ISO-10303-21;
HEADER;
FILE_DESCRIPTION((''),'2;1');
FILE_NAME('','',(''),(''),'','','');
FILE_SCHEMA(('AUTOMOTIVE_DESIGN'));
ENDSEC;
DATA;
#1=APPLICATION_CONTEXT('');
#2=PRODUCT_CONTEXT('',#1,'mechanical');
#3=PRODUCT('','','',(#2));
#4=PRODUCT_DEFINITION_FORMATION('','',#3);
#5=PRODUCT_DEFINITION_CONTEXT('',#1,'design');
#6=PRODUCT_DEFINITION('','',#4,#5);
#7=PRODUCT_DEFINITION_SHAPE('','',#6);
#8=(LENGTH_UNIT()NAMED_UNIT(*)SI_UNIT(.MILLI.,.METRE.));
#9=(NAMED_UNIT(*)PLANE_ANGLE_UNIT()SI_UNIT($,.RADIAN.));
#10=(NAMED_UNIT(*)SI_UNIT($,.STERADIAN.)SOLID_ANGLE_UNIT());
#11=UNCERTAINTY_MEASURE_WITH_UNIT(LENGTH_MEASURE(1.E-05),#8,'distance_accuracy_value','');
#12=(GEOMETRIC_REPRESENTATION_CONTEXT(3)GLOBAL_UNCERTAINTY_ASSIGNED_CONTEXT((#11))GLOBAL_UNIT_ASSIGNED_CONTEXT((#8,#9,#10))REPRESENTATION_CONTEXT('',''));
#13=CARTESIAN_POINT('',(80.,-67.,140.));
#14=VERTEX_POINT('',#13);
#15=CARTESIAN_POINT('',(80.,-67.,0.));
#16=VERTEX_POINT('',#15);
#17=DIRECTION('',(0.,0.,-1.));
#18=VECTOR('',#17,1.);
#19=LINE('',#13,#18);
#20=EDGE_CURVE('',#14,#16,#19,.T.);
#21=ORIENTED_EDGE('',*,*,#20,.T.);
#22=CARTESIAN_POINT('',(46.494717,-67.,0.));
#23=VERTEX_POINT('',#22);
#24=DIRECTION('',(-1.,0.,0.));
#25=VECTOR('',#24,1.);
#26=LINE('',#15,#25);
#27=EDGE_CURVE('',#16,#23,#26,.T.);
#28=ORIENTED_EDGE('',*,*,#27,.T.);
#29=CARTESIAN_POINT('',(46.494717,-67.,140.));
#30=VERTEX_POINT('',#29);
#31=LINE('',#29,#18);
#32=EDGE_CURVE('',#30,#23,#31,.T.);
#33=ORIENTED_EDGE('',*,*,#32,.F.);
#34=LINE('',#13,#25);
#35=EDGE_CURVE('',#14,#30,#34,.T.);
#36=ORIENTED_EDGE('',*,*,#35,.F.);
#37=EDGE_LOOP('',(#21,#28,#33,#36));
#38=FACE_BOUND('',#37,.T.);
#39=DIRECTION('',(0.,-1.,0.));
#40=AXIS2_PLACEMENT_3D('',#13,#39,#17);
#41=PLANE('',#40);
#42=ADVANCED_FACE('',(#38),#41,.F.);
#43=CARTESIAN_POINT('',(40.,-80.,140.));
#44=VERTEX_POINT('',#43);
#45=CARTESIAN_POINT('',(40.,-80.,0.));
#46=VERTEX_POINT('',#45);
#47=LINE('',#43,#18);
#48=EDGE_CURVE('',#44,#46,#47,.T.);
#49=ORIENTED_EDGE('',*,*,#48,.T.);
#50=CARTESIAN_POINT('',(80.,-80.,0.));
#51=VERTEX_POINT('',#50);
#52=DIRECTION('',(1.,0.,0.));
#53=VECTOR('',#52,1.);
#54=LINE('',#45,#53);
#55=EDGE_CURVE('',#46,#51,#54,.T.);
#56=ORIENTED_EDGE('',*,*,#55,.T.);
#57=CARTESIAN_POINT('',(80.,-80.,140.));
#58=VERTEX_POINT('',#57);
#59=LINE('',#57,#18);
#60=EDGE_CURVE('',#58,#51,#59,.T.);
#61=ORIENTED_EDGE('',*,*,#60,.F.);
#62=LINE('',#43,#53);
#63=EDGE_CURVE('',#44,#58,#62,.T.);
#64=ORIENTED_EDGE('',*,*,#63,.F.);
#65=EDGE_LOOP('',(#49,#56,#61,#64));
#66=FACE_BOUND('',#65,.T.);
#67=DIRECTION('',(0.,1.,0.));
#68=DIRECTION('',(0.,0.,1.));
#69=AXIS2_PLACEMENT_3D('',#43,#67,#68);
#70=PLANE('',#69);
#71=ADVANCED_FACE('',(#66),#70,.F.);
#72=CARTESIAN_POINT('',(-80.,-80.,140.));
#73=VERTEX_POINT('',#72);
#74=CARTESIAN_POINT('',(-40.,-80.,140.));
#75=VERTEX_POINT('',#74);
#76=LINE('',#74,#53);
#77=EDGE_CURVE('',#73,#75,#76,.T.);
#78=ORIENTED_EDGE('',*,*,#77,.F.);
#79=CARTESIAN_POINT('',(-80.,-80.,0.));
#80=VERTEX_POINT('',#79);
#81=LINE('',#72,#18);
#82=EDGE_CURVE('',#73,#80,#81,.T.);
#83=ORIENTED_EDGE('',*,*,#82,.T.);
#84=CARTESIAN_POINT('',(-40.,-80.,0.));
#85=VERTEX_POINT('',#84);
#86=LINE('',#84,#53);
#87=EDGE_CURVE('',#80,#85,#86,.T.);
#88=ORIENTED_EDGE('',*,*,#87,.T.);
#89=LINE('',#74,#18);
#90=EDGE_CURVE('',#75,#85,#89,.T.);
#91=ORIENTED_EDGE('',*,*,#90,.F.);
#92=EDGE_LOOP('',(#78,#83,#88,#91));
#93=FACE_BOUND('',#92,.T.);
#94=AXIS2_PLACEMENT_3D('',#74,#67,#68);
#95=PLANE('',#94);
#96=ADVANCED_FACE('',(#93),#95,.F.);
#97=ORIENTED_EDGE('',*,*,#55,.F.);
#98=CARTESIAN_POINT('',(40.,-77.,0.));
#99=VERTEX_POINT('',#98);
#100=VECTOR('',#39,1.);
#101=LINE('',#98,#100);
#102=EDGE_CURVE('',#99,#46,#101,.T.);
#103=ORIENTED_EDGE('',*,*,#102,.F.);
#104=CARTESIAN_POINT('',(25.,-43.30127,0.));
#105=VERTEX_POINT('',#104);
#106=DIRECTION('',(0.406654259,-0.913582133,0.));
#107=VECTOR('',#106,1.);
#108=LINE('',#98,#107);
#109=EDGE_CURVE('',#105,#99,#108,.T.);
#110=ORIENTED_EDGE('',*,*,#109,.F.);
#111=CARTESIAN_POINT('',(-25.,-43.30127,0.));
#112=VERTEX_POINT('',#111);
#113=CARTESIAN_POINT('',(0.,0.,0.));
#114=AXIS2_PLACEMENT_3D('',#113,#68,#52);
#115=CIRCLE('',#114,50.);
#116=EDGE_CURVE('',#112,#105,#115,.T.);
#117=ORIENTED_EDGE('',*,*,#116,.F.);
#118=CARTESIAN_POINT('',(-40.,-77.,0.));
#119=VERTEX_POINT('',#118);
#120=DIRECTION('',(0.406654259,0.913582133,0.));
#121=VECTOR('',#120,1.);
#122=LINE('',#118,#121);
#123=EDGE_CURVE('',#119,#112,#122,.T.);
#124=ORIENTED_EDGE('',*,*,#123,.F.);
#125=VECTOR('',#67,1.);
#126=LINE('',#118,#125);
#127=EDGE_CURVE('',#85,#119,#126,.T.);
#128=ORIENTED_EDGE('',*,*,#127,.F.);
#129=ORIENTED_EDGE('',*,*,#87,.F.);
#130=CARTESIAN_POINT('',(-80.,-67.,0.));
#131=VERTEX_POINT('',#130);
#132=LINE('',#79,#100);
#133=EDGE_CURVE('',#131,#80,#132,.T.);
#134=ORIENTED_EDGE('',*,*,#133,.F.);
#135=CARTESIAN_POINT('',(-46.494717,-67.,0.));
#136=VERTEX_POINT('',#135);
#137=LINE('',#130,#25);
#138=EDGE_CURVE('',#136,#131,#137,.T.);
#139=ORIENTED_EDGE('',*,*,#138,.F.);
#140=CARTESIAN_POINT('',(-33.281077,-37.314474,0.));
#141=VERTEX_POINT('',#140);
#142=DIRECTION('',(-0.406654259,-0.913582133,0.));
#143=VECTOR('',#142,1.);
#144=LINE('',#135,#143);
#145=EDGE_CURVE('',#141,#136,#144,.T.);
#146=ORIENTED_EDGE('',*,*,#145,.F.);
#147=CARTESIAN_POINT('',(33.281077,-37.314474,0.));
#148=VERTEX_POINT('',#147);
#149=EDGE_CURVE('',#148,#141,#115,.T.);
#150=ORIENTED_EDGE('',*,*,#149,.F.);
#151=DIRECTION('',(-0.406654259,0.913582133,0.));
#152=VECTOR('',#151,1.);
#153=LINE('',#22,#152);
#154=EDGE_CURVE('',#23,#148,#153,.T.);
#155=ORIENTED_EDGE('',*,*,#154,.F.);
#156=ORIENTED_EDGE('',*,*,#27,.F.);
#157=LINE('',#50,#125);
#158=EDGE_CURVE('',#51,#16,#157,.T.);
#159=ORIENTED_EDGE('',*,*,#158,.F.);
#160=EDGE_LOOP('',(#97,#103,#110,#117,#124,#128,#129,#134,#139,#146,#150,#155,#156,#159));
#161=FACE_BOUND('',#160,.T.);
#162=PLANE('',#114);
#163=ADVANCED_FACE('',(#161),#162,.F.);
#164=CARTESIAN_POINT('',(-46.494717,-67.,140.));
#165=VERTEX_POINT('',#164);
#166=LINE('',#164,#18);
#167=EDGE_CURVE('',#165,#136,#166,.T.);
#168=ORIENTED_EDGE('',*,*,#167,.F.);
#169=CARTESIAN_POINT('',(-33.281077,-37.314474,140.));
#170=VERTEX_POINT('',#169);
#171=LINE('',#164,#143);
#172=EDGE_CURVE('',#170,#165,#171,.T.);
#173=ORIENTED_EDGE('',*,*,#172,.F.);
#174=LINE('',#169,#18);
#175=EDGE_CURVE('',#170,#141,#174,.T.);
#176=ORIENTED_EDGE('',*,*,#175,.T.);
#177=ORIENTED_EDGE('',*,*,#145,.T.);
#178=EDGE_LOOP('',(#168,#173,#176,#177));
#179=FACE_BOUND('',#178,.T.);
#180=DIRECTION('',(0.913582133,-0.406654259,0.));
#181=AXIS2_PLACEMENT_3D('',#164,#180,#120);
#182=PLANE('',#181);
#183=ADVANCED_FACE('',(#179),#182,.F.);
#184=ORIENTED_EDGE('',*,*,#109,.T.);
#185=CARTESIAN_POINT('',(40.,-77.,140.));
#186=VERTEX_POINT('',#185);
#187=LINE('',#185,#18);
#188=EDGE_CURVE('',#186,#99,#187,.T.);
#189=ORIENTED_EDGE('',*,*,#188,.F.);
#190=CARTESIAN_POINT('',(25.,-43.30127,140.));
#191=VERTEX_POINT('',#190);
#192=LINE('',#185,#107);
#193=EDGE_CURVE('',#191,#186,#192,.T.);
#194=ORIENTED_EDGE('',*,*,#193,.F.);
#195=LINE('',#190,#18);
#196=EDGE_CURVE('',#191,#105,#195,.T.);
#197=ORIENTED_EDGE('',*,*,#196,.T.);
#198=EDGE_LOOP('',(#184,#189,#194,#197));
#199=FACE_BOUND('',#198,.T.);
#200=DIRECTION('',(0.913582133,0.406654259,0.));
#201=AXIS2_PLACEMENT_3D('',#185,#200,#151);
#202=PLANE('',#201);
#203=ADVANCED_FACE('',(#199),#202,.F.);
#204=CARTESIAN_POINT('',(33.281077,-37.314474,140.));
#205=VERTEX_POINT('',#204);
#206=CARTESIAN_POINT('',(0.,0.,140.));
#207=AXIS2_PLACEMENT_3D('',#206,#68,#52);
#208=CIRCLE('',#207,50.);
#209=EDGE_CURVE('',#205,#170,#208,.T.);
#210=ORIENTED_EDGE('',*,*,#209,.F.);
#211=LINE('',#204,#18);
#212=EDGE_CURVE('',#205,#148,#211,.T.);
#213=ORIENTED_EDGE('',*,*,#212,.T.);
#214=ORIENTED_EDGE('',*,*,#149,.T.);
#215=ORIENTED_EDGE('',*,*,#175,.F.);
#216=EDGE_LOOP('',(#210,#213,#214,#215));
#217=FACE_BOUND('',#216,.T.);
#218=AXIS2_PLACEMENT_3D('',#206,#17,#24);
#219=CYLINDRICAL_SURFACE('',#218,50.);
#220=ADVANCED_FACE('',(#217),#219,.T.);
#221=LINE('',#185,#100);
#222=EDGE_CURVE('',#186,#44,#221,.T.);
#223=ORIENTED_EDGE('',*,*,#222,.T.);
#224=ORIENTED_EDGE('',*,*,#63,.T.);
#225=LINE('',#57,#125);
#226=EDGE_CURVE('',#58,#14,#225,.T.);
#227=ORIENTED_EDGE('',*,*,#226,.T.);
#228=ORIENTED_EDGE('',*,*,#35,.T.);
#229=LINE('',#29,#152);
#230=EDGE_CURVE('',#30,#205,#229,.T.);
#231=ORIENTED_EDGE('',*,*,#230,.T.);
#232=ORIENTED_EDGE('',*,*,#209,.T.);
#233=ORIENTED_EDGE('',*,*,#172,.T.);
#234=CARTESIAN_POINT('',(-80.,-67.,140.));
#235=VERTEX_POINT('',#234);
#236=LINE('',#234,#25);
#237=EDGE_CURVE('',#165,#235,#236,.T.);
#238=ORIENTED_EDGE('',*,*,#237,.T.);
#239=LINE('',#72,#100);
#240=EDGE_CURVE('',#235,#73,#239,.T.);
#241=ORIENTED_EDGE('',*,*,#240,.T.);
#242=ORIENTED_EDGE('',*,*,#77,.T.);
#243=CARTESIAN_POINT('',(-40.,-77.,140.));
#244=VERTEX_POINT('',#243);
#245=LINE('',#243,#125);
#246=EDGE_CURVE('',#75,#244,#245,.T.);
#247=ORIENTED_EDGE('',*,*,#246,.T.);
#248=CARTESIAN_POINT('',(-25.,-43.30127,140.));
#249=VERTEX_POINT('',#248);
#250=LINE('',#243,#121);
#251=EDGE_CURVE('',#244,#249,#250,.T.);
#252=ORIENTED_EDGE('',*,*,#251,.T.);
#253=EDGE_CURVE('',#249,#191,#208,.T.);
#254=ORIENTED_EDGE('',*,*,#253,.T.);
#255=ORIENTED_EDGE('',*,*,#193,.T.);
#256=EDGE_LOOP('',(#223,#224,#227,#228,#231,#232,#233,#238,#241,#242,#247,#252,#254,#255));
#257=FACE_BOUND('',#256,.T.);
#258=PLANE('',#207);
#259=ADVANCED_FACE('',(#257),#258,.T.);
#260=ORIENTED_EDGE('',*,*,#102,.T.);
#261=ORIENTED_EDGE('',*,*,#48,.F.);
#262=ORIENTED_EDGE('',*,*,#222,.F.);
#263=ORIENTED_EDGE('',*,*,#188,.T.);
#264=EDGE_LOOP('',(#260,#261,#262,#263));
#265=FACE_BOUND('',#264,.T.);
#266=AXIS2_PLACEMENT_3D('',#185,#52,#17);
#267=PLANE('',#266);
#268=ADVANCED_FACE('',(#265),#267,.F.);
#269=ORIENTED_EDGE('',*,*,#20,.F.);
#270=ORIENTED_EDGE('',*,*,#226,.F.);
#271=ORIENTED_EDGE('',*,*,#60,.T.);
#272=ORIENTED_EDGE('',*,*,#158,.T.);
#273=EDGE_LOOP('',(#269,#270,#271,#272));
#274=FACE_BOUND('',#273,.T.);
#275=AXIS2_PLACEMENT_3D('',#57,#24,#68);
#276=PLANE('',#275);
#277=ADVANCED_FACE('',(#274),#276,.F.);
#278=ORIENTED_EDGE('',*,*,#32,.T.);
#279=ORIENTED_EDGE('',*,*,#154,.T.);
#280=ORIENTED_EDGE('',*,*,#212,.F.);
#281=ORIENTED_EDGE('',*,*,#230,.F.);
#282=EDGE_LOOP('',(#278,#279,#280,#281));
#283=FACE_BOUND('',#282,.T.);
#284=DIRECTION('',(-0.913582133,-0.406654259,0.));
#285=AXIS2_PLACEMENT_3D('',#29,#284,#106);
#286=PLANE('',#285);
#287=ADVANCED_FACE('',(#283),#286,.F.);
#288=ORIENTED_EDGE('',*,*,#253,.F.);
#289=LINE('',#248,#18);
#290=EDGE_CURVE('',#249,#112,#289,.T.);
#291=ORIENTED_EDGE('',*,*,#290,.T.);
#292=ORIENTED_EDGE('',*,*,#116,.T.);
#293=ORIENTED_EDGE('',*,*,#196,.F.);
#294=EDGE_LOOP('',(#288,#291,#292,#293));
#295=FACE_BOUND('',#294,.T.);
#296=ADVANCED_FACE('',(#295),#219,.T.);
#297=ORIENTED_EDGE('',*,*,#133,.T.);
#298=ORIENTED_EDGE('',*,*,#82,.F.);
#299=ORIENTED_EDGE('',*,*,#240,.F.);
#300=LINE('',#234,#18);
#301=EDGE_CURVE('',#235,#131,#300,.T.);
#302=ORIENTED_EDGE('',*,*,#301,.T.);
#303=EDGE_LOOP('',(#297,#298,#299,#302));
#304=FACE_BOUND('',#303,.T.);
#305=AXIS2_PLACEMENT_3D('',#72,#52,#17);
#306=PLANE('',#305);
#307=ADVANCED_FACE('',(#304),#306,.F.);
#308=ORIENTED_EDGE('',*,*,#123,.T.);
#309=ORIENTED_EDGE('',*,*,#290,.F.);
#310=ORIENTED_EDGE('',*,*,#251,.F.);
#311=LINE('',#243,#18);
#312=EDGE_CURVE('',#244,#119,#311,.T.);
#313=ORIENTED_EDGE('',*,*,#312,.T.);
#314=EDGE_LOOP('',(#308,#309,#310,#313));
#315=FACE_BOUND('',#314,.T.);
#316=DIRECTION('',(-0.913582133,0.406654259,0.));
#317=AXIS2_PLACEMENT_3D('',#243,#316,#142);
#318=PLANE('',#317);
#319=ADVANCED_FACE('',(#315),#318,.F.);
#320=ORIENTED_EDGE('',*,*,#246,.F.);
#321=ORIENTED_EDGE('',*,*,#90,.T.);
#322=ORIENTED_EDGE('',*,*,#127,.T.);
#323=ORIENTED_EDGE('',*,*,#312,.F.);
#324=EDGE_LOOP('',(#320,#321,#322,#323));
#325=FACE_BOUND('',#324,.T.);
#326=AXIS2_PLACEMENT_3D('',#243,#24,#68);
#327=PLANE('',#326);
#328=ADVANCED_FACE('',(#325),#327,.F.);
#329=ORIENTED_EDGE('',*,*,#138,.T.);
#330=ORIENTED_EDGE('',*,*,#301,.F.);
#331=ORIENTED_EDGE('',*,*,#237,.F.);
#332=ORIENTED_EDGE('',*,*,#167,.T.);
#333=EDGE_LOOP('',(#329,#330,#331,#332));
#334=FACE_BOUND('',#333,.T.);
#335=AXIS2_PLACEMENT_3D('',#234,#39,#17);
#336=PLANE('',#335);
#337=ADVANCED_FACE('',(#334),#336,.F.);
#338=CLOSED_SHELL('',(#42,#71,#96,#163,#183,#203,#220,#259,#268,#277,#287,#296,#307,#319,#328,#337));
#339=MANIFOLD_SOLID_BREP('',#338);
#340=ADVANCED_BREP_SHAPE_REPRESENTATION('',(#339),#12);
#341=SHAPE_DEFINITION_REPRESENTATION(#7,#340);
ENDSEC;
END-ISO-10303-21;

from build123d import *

# Parameters (mm, degrees)
EXTRUDE_1_DEPTH = 140


with BuildPart() as part:
    # ｽｹｯﾁ1 → ﾎﾞｽ - 押し出し1 (new body)
    with BuildSketch(Plane.XY):
        with BuildLine():
            Line((-40, -77), (-25, -43.301270189))
            ThreePointArc((-25, -43.301270189), (0, -50), (25, -43.301270189))
            Line((25, -43.301270189), (40, -77))
            Line((40, -77), (40, -80))
            Line((40, -80), (80, -80))
            Line((80, -80), (80, -67))
            Line((80, -67), (46.494717001, -67))
            Line((46.494717001, -67), (33.281076638, -37.314473571))
            ThreePointArc((33.281076638, -37.314473571), (0, 50), (-33.281076638, -37.314473571))
            Line((-33.281076638, -37.314473571), (-46.494717001, -67))
            Line((-46.494717001, -67), (-80, -67))
            Line((-80, -67), (-80, -80))
            Line((-80, -80), (-40, -80))
            Line((-40, -80), (-40, -77))
        make_face()
    extrude(amount=EXTRUDE_1_DEPTH)


solid = part.part
